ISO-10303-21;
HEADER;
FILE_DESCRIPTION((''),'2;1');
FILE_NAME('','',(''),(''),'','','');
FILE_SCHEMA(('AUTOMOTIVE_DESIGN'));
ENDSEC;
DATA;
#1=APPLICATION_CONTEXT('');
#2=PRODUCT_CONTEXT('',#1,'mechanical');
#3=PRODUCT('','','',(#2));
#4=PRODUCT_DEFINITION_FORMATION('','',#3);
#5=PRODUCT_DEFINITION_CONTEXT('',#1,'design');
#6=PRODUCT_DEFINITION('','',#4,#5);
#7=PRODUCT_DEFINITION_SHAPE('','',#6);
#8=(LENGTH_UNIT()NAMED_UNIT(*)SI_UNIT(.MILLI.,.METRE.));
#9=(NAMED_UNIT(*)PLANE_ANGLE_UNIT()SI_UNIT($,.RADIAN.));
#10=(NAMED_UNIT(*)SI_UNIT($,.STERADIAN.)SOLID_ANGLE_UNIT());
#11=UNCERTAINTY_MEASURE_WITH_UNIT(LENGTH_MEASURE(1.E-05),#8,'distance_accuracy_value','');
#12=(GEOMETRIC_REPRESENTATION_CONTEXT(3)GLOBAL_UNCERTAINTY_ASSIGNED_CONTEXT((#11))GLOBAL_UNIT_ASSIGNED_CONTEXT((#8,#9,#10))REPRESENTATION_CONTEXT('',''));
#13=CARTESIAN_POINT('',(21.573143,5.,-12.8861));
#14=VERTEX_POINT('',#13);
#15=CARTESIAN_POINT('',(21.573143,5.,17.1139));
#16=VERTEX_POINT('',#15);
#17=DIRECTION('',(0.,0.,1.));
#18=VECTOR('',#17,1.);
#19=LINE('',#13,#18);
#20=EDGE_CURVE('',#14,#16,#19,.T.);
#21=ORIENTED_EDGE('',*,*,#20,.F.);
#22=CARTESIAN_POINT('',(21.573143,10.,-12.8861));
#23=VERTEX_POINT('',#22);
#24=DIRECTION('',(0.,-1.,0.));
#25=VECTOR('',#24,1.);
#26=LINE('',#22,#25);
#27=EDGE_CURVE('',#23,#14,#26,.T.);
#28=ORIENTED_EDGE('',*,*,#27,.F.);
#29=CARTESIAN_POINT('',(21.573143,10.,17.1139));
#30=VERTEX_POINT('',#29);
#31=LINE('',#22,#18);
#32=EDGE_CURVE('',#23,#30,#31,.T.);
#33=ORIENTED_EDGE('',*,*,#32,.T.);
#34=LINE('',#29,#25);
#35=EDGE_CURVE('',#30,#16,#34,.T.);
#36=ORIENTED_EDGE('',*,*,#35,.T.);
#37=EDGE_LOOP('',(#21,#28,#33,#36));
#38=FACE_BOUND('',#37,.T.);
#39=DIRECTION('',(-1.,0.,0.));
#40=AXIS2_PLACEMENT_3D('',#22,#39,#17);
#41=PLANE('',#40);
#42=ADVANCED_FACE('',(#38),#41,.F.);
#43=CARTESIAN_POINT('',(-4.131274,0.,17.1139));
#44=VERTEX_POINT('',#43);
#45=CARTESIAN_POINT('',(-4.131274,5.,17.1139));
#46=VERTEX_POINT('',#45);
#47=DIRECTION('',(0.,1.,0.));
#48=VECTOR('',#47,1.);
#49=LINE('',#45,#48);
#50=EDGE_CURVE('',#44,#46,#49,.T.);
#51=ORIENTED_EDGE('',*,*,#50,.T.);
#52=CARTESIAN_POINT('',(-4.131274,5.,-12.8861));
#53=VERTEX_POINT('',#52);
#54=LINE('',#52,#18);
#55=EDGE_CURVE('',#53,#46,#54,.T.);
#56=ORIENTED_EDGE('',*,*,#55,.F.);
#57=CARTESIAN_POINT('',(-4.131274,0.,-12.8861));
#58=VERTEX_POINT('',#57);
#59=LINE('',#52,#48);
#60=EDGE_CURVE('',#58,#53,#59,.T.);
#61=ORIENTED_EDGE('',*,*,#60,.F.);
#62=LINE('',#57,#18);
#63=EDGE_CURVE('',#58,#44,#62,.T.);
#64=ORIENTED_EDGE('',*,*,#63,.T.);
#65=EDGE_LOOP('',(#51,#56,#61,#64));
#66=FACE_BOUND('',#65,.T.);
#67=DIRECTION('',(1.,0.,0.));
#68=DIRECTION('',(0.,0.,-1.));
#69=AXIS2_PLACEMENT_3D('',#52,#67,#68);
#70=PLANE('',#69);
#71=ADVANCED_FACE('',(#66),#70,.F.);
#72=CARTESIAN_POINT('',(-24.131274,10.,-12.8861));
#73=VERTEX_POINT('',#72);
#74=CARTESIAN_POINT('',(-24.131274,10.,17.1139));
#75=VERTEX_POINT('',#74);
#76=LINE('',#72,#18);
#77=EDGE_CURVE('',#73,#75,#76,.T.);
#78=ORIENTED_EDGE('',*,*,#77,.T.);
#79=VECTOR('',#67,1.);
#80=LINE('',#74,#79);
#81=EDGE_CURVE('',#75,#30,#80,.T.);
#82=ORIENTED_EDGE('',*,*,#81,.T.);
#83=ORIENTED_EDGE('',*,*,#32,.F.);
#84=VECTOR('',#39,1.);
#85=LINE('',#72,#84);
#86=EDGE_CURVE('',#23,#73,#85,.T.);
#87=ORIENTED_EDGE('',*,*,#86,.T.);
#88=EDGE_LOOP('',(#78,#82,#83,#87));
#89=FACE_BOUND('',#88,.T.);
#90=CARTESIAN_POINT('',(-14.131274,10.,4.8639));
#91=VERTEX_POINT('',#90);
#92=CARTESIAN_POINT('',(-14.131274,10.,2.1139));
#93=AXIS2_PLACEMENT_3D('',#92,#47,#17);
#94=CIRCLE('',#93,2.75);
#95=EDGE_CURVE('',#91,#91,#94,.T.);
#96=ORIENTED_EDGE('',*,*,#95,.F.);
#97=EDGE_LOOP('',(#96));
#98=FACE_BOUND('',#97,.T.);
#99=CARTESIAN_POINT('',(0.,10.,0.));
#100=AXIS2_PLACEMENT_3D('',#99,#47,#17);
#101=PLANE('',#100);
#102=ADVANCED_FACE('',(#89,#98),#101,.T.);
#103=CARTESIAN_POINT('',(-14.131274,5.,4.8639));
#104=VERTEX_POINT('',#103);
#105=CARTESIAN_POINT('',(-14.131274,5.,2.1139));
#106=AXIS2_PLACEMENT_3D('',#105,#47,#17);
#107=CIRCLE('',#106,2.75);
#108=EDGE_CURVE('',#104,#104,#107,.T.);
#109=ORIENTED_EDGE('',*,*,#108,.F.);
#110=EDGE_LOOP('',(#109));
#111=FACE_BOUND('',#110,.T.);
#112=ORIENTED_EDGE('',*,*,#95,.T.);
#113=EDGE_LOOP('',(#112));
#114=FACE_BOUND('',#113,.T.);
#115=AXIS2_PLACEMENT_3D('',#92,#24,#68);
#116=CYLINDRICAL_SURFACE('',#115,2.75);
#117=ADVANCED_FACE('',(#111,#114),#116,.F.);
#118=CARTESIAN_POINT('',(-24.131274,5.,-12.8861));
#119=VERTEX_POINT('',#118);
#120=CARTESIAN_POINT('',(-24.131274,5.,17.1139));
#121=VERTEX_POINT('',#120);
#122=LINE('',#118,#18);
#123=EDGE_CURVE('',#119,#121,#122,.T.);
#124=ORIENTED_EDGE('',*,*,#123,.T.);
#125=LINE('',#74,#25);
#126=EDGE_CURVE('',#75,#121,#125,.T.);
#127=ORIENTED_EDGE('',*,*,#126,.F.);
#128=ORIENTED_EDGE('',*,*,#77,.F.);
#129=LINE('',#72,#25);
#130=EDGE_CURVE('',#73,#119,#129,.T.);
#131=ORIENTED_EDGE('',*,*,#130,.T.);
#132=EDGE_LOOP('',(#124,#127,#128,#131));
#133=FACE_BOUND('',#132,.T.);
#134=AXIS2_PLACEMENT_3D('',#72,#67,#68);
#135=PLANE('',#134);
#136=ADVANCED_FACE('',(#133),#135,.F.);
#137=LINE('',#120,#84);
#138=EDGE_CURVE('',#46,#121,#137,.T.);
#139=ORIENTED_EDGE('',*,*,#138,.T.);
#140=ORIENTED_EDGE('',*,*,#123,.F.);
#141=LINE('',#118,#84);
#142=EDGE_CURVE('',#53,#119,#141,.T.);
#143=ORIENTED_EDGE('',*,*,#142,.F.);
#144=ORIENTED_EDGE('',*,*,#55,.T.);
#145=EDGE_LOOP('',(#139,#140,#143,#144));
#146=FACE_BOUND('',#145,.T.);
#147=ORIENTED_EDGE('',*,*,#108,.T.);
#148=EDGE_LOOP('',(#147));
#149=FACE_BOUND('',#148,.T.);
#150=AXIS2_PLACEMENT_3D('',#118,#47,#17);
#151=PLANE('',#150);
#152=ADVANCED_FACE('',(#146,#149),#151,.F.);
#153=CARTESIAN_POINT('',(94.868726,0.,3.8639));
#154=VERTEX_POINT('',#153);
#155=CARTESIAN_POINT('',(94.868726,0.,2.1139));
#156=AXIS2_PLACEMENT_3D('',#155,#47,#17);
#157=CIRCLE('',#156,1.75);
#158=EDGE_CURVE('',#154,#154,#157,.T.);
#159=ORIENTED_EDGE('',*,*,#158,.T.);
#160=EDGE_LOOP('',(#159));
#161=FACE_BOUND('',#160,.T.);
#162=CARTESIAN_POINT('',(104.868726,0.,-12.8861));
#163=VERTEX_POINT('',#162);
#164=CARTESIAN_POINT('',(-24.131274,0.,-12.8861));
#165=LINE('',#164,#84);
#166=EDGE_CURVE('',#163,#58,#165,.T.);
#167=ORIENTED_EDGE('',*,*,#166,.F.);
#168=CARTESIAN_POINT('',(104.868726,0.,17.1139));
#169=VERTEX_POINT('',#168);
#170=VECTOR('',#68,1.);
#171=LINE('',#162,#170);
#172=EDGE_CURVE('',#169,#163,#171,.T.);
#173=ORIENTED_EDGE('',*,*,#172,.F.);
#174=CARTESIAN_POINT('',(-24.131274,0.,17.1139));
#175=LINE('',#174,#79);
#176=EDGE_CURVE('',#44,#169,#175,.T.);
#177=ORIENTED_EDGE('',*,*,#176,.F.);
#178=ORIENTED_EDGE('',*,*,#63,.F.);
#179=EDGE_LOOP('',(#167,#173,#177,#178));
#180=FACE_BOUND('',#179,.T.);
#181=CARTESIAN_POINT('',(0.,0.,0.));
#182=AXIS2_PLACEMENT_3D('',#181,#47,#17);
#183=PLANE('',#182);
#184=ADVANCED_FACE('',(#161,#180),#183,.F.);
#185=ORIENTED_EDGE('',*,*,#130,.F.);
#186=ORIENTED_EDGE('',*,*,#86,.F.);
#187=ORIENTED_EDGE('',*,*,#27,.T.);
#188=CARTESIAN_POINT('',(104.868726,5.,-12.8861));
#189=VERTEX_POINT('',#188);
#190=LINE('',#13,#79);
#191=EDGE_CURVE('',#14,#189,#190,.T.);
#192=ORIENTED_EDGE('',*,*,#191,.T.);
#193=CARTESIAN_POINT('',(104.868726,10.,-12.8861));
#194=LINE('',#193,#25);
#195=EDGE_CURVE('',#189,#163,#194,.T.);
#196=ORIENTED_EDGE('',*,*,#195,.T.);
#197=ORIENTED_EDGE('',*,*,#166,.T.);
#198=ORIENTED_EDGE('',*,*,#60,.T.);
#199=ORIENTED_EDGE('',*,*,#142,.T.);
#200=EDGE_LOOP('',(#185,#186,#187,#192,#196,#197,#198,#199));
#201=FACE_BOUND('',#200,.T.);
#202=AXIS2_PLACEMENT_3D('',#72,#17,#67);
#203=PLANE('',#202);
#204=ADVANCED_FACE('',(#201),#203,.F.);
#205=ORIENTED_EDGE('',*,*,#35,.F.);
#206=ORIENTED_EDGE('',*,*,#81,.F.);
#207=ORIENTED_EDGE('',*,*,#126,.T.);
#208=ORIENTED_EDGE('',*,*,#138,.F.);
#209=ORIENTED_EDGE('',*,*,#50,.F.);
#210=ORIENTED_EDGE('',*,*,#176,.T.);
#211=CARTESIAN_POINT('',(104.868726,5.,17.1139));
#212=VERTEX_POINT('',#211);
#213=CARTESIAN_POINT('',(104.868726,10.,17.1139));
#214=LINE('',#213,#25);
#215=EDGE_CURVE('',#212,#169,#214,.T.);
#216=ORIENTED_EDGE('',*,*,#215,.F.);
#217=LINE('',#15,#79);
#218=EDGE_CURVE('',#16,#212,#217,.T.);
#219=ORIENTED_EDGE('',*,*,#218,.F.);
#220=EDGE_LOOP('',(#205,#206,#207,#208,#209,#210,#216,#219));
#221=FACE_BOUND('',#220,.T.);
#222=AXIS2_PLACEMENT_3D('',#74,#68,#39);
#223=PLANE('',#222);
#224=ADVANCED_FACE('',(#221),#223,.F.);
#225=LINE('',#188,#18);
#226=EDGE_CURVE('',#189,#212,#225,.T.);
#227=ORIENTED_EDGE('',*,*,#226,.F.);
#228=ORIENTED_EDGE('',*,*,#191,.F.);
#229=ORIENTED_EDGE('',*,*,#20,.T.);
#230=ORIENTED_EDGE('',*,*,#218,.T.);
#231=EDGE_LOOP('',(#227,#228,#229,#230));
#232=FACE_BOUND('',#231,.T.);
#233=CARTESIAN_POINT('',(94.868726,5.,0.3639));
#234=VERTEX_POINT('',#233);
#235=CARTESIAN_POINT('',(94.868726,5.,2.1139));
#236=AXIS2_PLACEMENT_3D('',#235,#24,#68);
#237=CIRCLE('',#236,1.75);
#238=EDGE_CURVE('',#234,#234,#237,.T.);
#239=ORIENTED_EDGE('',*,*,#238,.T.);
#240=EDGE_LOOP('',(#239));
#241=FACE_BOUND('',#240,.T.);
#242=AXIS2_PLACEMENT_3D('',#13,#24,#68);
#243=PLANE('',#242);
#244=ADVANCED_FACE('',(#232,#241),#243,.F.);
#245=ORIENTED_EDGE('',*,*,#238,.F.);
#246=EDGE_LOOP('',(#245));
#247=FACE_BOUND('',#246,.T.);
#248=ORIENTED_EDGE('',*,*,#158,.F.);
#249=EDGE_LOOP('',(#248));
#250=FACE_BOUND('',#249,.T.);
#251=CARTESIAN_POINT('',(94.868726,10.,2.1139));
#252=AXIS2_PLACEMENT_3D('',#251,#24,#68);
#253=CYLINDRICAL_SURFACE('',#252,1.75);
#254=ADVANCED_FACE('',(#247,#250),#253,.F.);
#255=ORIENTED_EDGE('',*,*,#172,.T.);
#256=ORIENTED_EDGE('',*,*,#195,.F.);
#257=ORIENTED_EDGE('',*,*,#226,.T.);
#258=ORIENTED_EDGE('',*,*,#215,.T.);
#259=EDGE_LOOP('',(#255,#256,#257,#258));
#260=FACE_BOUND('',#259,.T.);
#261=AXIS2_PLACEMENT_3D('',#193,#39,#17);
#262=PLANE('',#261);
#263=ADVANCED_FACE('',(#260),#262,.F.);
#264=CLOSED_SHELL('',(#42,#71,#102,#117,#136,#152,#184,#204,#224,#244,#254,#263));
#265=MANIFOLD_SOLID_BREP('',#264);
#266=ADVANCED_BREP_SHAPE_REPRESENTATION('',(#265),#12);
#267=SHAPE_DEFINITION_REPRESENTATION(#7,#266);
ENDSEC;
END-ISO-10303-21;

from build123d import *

# Parameters (mm, degrees)
SKETCH_1_W          = 129
SKETCH_1_H          = 30
SKETCH_1_R          = 2.75
SKETCH_1_R_2        = 1.75
EXTRUDE_1_DEPTH     = 10
SKETCH_2_W          = 20
SKETCH_2_H          = 5
SKETCH_2_W_2        = 83.295582585
CUT_EXTRUDE_1_DEPTH = 110.532870251


with BuildPart() as part:
    # 草图1 → 凸台-拉伸1 (new body)
    with BuildSketch(Plane(origin=(0, 0, 0), x_dir=(1, 0, 0), z_dir=(0, 1, 0))):
        with Locations((40.368725869, -2.113899614)):
            Rectangle(SKETCH_1_W, SKETCH_1_H)
        with Locations(Location((-14.131274131, -2.113899614, 0), (0, 0, 270))):
            Circle(SKETCH_1_R, mode=Mode.SUBTRACT)
        with Locations(Location((94.868725869, -2.113899614, 0), (0, 0, 270))):
            Circle(SKETCH_1_R_2, mode=Mode.SUBTRACT)
    extrude(amount=EXTRUDE_1_DEPTH)

    # 草图2 → 切除-拉伸1 (cut, through all)
    with BuildSketch(Plane.XY.offset(17.113899614)):
        with Locations((-14.131274131, 2.5)):
            Rectangle(SKETCH_2_W, SKETCH_2_H)
        with Locations((63.220934576, 7.5)):
            Rectangle(SKETCH_2_W_2, SKETCH_2_H)
    extrude(amount=-CUT_EXTRUDE_1_DEPTH, mode=Mode.SUBTRACT)


solid = part.part
